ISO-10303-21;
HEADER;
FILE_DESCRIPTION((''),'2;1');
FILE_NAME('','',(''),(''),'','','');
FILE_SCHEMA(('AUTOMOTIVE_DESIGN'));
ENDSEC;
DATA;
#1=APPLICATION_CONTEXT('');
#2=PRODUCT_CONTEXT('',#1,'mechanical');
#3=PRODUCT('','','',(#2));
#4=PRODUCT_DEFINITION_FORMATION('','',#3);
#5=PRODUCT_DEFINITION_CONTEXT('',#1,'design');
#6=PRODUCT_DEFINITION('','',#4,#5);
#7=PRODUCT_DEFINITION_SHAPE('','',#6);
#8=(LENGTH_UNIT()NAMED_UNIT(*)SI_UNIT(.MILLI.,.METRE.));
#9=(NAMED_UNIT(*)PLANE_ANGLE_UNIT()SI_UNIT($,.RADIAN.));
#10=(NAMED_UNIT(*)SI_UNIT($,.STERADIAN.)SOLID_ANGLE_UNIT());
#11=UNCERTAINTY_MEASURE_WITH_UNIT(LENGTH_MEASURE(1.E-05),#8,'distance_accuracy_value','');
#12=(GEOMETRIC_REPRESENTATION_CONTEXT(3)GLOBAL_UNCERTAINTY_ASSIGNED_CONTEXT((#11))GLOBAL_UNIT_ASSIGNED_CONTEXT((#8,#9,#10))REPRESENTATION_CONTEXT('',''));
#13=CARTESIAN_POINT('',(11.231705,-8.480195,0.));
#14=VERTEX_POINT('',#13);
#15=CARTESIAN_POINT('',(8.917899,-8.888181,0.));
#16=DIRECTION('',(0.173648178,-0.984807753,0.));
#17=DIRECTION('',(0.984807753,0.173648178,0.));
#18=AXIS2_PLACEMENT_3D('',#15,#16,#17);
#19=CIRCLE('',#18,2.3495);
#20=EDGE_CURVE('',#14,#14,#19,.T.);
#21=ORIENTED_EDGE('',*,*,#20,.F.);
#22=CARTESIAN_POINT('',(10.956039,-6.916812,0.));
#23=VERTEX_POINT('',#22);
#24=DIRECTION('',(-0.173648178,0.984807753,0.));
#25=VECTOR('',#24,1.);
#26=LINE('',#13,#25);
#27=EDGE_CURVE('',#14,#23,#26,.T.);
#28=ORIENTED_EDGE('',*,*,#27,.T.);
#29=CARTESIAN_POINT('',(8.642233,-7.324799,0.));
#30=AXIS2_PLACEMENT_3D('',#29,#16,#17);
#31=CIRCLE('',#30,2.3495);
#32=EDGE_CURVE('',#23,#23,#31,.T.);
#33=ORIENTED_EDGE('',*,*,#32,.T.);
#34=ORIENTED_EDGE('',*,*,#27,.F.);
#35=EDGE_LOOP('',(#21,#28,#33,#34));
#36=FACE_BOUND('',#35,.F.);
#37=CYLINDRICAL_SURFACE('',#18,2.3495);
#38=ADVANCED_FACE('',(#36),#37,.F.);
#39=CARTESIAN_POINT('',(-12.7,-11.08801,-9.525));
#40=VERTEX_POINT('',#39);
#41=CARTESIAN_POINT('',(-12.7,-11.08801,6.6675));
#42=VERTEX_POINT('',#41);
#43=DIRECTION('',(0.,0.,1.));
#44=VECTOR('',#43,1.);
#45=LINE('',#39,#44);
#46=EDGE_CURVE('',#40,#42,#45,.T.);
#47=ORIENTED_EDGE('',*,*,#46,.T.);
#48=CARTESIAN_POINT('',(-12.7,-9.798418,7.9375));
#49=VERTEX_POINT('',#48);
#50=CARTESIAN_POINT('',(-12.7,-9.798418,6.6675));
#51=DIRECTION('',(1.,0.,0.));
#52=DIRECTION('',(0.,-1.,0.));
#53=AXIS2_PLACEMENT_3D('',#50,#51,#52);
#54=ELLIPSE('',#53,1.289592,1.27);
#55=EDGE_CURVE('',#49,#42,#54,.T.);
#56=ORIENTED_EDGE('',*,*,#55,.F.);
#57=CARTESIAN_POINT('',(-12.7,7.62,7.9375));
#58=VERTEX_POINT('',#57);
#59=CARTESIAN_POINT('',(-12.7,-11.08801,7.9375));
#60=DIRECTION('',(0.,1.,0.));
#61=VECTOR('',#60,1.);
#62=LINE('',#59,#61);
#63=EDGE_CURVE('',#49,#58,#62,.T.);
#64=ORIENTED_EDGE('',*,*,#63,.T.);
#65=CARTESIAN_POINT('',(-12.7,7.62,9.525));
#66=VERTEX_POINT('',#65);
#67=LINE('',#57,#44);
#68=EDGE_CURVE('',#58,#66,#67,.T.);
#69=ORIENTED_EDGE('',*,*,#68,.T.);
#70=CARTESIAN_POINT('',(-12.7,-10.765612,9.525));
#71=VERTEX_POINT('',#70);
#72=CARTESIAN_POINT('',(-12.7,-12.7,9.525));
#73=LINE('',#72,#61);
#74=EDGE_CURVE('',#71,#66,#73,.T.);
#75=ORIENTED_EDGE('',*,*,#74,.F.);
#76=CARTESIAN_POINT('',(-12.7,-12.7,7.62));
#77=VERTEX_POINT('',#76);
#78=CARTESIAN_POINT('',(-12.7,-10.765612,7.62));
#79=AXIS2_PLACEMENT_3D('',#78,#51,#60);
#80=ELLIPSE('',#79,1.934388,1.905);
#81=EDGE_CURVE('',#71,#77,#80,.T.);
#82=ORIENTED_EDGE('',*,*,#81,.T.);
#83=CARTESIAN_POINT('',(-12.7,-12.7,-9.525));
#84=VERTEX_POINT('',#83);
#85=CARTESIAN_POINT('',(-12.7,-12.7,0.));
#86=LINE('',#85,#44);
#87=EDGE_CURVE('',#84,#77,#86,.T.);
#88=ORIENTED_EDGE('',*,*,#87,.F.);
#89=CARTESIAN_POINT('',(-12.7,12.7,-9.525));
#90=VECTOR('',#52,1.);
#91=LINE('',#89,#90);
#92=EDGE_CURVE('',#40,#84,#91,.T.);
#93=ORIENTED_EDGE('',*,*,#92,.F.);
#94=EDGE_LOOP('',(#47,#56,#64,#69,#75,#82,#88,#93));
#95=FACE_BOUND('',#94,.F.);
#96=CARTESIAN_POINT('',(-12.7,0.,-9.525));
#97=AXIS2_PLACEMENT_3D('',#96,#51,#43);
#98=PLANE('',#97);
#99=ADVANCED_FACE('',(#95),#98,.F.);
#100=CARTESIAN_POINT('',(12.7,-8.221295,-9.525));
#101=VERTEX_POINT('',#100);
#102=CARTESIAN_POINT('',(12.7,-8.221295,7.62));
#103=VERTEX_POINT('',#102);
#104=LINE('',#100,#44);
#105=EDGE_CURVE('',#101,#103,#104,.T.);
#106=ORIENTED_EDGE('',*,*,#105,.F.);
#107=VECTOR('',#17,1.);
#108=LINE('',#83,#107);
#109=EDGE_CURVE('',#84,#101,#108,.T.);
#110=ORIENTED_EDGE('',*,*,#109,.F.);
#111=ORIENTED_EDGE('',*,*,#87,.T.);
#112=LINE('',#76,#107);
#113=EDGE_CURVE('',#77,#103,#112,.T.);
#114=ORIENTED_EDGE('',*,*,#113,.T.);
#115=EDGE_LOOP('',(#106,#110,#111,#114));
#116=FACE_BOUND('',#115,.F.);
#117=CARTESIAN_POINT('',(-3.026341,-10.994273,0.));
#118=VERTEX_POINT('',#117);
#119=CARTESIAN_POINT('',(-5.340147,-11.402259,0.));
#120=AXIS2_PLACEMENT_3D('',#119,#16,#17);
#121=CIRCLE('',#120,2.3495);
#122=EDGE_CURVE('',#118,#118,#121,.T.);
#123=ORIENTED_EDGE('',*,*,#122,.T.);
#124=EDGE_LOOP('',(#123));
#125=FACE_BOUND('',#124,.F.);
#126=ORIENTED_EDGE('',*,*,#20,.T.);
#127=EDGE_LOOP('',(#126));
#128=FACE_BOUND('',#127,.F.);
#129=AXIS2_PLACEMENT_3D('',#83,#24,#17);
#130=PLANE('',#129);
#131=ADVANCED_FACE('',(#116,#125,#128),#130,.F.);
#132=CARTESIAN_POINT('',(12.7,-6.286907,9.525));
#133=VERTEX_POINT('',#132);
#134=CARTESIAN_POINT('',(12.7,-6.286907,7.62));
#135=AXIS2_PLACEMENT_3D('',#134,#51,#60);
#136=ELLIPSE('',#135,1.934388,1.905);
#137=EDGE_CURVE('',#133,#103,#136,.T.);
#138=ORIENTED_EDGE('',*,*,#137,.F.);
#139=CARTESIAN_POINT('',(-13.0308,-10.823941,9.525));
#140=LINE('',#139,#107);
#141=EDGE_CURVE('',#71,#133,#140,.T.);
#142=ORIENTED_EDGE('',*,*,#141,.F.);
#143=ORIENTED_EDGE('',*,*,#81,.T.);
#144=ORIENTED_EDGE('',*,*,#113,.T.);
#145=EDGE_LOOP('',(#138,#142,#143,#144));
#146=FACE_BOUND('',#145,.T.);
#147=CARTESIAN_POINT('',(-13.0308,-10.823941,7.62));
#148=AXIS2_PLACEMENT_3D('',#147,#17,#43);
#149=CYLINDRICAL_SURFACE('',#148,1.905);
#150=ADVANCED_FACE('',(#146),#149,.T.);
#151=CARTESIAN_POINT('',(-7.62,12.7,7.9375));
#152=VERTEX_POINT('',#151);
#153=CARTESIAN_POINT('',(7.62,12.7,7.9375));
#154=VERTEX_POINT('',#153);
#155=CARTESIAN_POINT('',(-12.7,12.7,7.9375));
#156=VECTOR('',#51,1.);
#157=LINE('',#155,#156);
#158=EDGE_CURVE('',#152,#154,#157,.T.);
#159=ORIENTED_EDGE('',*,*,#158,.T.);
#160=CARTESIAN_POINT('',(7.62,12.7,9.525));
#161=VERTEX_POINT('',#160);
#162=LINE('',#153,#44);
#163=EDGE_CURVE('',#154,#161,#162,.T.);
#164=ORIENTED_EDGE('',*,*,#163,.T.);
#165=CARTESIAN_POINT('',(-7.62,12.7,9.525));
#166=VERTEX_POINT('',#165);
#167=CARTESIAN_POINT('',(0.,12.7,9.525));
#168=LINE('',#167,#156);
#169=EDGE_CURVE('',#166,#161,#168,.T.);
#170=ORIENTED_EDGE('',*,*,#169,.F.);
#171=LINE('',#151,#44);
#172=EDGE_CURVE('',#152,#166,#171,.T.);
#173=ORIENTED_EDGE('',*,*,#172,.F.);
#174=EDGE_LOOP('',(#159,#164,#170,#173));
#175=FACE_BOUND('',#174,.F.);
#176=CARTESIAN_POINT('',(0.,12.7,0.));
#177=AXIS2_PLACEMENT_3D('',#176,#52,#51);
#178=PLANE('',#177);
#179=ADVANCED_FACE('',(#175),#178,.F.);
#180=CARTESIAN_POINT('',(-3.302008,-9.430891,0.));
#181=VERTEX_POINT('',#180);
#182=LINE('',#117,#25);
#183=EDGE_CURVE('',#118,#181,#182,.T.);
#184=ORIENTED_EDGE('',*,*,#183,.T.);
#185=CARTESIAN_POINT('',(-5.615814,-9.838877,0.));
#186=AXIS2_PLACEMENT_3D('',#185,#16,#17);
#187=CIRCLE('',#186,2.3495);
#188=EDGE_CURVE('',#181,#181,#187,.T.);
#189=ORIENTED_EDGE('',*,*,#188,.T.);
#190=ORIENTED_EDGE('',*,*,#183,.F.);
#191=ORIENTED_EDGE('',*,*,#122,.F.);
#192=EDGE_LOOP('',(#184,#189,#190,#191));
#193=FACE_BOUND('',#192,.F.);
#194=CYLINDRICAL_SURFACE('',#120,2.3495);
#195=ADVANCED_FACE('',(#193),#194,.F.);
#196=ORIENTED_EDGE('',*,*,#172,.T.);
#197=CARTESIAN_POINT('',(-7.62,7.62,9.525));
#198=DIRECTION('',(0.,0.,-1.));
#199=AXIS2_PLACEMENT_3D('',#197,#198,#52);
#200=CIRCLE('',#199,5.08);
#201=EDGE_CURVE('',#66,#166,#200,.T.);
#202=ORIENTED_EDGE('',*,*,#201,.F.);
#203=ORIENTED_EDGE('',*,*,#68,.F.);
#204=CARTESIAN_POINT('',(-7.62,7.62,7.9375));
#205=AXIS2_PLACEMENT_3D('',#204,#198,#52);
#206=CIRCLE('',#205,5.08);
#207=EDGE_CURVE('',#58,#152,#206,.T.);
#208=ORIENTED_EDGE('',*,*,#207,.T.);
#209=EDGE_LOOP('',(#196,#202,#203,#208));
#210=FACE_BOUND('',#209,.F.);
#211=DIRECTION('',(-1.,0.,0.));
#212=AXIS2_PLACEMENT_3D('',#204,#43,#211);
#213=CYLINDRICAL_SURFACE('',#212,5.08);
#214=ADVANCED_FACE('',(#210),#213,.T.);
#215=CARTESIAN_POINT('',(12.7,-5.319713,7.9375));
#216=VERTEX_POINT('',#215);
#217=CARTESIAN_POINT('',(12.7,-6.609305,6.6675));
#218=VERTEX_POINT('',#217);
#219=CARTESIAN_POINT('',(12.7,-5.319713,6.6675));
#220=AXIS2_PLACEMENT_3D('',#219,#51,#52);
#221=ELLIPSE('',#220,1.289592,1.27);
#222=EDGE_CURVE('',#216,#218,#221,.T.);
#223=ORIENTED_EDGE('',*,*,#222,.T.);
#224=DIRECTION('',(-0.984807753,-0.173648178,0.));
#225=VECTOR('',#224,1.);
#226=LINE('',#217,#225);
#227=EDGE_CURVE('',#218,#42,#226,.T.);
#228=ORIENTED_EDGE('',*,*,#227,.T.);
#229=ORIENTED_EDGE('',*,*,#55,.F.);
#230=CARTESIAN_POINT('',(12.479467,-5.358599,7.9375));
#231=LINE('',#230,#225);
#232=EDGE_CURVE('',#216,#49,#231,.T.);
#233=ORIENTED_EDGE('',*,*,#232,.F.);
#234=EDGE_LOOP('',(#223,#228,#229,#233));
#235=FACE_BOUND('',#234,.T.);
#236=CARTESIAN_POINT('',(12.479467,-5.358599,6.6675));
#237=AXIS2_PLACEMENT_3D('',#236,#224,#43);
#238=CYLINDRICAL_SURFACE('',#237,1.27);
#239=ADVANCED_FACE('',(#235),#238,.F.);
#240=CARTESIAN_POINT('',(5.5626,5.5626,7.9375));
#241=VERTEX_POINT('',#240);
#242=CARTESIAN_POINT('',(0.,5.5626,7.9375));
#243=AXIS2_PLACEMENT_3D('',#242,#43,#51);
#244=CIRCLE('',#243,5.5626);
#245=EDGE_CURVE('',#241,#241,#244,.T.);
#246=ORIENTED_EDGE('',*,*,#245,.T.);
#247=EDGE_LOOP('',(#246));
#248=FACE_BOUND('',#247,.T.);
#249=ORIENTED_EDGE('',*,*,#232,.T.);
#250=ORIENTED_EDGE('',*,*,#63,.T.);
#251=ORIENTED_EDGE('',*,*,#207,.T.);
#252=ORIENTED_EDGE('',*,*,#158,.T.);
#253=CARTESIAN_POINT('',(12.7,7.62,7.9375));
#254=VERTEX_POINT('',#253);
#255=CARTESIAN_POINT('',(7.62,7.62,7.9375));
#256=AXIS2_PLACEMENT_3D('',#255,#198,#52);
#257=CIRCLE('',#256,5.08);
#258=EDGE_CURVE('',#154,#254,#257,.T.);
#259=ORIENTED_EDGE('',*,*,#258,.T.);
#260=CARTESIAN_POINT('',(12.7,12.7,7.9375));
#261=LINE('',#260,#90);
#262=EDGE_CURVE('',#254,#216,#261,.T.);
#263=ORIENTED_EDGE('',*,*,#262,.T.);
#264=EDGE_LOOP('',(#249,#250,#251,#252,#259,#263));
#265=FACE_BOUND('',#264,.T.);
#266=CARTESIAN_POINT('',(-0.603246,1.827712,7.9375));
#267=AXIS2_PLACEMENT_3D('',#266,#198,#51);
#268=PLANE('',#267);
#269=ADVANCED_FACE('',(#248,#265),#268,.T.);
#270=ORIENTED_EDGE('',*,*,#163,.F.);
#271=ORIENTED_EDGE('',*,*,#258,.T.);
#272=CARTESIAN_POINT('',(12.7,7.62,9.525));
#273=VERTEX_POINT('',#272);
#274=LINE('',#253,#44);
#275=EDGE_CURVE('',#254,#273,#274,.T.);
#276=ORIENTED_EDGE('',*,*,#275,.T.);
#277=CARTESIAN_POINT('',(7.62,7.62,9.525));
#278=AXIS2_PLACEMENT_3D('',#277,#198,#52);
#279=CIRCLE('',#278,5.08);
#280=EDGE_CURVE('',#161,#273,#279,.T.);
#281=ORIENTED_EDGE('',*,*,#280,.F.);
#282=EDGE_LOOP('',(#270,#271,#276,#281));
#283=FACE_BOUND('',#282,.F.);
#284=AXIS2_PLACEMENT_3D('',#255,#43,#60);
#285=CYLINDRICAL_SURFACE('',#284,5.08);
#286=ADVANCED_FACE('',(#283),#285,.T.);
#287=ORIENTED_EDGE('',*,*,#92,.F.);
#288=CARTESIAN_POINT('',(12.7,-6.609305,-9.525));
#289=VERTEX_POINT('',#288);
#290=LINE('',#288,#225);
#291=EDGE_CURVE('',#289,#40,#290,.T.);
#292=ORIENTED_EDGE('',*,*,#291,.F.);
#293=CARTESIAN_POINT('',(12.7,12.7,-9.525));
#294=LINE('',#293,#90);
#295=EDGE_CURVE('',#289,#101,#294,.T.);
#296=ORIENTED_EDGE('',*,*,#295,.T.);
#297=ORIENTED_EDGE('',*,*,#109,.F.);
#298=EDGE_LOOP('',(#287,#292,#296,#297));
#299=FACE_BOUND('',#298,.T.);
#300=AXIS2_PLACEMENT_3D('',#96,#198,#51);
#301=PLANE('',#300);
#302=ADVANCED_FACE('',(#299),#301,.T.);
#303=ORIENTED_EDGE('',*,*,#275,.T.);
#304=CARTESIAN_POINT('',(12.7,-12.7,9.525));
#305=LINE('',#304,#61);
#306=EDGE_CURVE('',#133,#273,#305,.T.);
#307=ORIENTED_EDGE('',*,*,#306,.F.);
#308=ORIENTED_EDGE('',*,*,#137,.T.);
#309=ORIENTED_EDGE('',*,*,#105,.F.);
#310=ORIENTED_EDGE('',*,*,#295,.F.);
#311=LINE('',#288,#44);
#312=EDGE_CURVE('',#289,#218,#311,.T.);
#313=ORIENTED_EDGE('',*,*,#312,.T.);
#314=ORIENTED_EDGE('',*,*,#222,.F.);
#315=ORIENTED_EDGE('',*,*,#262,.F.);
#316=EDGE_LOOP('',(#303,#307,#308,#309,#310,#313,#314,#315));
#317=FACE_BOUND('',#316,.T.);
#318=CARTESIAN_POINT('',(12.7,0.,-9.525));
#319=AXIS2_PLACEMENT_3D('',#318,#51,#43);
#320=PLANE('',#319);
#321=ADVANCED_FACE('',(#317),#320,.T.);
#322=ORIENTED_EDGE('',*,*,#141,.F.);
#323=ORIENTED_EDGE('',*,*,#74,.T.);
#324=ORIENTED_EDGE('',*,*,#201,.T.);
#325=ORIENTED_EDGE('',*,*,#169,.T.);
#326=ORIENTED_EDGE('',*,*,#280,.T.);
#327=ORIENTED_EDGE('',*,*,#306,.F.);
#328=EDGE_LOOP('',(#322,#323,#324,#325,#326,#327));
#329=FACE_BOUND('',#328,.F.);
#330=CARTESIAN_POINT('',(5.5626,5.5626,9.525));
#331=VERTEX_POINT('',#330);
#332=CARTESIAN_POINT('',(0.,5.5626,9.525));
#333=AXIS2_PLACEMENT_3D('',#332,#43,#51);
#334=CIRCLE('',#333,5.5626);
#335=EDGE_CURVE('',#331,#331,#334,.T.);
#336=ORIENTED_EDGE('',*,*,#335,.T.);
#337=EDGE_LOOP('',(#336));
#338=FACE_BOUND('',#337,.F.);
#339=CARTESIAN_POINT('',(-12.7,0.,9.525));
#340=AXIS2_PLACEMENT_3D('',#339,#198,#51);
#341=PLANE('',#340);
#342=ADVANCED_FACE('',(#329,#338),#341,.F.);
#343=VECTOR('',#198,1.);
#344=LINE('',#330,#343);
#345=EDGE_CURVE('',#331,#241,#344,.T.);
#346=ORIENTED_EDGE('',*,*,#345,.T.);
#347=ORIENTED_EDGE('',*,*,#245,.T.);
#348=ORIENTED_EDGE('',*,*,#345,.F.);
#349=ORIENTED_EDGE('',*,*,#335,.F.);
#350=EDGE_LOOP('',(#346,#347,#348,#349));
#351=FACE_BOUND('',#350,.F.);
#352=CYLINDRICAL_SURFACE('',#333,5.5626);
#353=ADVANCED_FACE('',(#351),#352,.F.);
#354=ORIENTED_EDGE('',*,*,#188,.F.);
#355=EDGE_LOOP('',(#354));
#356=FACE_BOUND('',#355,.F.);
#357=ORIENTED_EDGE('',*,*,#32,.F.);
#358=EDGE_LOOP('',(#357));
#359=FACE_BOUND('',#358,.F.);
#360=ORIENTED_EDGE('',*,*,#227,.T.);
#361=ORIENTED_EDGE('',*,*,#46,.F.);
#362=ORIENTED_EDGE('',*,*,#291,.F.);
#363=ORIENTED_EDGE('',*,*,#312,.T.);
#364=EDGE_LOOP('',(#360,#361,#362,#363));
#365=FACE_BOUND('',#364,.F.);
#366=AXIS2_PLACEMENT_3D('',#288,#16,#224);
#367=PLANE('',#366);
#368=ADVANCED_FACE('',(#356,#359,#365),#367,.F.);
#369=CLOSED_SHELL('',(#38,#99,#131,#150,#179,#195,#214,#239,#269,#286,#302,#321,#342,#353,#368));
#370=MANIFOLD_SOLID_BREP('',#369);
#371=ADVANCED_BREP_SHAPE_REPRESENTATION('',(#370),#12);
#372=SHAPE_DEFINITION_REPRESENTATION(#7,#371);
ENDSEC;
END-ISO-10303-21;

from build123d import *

# Parameters (mm, degrees)
F0_W      = 25.4
F0_H      = 19.05
F1_DEPTH  = 12.7
F3_DEPTH  = 19.051
F4_DEPTH  = 17.4625
F5_R      = 1.27
F6_R      = 1.905
F7_R      = 2.3495
F8_DEPTH  = 25.0151169265
F10_R     = 5.08
F9_R      = 5.5626
F11_DEPTH = 19.051


with BuildPart() as f1:
    # F0 (on Front) → F1 (new body, symmetric)
    with BuildSketch(Plane.XZ):
        Rectangle(F0_W, F0_H)
    extrude(amount=F1_DEPTH, both=True)

    # F2 (on face) → F3 (cut, through all)
    with BuildSketch(Plane(origin=(0, 0, -9.525), x_dir=(1, 0, 0), z_dir=(0, 0, -1))):
        Polygon((12.7, 12.7), (-12.7, 12.7), (12.7, 8.22129469), align=None)
    extrude(amount=-F3_DEPTH, mode=Mode.SUBTRACT)

    # F2 (on face) → F4 (cut)
    with BuildSketch(Plane(origin=(0, 0, -9.525), x_dir=(1, 0, 0), z_dir=(0, 0, -1))):
        Polygon((12.7, 6.6093049436), (-12.7, 11.0880102536), (-12.7, -12.7), (12.7, -12.7), align=None)
    extrude(amount=-F4_DEPTH, mode=Mode.SUBTRACT)

    # F5
    f5_edges = [f1.edges().sort_by_distance(p)[0] for p in [
        (0, -8.848658, 7.9375),
    ]]
    fillet(f5_edges, radius=F5_R)

    # F6
    f6_edges = [f1.edges().sort_by_distance(p)[0] for p in [
        (0, -10.460647, 9.525),
    ]]
    fillet(f6_edges, radius=F6_R)

    # F7 (on face) → F8 (cut, through all)
    with BuildSketch(Plane(origin=(1.7888760521, -10.1452202319, 0), x_dir=(0.984807753, 0.1736481777, 0), z_dir=(0.1736481777, -0.984807753, 0))):
        with Locations((7.239, 0)):
            Circle(F7_R)
        with Locations((-7.239, 0)):
            Circle(F7_R)
    extrude(amount=-F8_DEPTH, mode=Mode.SUBTRACT)

    # F10
    f10_edges = [f1.edges().sort_by_distance(p)[0] for p in [
        (12.7, 12.7, 8.73125),
        (-12.7, 12.7, 8.73125),
    ]]
    fillet(f10_edges, radius=F10_R)

    # F9 (on face) → F11 (cut, through all)
    with BuildSketch(Plane.XY.offset(9.525)):
        with Locations((0, 5.5626)):
            Circle(F9_R)
    extrude(amount=-F11_DEPTH, mode=Mode.SUBTRACT)


solid = f1.part
